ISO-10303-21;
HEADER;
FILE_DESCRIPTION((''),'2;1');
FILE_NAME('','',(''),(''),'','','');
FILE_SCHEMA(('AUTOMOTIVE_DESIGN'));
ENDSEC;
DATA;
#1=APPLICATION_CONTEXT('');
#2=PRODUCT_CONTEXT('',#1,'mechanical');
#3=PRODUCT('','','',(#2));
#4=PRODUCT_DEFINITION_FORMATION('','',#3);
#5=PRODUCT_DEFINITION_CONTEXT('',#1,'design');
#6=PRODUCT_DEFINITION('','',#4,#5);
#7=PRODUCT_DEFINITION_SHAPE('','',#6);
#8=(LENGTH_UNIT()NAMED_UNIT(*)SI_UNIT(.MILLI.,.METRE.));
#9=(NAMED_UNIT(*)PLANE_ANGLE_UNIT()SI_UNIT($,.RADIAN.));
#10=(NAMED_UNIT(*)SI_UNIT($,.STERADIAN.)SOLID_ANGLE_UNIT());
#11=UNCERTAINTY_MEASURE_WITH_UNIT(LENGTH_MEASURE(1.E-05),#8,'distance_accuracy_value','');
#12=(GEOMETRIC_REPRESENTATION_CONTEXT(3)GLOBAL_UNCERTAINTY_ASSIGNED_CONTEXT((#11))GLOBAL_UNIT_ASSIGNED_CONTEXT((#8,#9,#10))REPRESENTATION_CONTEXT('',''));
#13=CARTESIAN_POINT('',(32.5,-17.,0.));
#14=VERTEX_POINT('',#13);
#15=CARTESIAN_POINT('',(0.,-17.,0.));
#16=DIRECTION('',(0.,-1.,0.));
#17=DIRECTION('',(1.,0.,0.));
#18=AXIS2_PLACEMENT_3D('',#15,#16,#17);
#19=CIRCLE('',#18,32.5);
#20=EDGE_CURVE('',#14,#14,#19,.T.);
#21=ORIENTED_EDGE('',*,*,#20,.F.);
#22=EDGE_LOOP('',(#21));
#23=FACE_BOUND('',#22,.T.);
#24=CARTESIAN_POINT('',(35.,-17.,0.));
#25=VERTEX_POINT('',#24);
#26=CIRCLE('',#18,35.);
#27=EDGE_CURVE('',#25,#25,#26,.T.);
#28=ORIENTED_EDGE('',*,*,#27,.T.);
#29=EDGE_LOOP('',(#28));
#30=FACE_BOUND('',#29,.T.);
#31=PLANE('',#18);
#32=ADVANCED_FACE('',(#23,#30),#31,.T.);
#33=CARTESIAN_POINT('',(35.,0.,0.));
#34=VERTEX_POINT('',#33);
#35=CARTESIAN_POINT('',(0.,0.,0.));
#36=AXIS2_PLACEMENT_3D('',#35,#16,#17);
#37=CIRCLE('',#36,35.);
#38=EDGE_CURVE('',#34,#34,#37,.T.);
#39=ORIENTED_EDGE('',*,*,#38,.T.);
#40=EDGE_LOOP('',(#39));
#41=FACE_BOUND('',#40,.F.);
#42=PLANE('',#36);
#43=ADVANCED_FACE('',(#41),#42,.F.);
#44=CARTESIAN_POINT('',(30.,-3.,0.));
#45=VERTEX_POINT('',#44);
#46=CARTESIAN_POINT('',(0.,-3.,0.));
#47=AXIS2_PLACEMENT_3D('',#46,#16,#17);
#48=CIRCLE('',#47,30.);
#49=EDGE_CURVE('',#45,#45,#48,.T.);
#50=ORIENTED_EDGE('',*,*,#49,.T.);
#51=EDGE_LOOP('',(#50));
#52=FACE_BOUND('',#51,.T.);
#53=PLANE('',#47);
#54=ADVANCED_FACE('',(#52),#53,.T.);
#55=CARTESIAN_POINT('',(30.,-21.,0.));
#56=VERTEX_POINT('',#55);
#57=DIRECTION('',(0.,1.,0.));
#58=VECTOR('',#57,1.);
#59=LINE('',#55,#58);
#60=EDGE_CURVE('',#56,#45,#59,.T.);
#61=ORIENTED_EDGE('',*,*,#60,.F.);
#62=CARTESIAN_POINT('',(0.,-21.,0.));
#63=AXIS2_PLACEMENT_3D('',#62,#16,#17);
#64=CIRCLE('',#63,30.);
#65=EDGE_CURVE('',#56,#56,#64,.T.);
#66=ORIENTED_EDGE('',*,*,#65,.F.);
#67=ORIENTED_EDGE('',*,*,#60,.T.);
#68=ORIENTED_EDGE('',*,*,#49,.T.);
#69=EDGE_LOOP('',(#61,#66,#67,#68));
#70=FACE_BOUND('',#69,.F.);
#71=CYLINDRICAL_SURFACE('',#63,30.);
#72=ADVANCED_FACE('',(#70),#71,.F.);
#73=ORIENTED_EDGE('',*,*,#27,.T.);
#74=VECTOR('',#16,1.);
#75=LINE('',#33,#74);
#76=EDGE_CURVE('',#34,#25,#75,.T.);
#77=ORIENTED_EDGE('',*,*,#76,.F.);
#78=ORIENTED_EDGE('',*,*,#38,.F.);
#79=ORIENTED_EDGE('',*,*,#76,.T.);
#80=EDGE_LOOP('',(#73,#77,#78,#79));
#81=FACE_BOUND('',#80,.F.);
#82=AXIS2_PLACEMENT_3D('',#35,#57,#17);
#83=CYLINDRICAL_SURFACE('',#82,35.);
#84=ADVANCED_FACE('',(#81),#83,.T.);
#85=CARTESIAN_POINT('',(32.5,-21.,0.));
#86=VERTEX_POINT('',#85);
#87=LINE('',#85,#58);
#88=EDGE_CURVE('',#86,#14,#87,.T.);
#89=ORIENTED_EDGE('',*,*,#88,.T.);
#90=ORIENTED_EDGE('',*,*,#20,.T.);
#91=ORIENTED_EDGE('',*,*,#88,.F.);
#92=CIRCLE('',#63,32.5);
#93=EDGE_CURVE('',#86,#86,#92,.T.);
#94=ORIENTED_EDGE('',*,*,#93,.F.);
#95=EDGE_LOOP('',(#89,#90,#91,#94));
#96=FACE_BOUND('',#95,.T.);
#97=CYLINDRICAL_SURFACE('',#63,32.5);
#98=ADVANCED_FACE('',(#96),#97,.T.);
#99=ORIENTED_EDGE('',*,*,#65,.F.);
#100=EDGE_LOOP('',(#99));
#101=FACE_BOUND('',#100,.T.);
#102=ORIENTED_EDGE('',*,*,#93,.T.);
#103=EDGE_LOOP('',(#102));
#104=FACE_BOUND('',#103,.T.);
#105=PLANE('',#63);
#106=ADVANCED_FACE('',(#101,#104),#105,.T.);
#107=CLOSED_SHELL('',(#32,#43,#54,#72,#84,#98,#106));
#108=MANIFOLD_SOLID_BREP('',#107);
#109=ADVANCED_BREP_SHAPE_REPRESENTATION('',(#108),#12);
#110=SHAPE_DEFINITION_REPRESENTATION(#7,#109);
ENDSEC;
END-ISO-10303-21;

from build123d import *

# Parameters (mm, degrees)
F0_R     = 35
F1_DEPTH = 21
F2_R     = 30
F3_DEPTH = 18
F4_R     = 35
F4_R_2   = 32.5
F5_DEPTH = 4


with BuildPart() as f1:
    # F0 (on Front) → F1 (new body)
    with BuildSketch(Plane.XZ):
        Circle(F0_R)
    extrude(amount=F1_DEPTH)

    # F2 (on face) → F3 (cut)
    with BuildSketch(Plane.XZ.offset(21)):
        Circle(F2_R)
    extrude(amount=-F3_DEPTH, mode=Mode.SUBTRACT)

    # F4 (on face) → F5 (cut)
    with BuildSketch(Plane.XZ.offset(21)):
        Circle(F4_R)
        Circle(F4_R_2, mode=Mode.SUBTRACT)
    extrude(amount=-F5_DEPTH, mode=Mode.SUBTRACT)


solid = f1.part
